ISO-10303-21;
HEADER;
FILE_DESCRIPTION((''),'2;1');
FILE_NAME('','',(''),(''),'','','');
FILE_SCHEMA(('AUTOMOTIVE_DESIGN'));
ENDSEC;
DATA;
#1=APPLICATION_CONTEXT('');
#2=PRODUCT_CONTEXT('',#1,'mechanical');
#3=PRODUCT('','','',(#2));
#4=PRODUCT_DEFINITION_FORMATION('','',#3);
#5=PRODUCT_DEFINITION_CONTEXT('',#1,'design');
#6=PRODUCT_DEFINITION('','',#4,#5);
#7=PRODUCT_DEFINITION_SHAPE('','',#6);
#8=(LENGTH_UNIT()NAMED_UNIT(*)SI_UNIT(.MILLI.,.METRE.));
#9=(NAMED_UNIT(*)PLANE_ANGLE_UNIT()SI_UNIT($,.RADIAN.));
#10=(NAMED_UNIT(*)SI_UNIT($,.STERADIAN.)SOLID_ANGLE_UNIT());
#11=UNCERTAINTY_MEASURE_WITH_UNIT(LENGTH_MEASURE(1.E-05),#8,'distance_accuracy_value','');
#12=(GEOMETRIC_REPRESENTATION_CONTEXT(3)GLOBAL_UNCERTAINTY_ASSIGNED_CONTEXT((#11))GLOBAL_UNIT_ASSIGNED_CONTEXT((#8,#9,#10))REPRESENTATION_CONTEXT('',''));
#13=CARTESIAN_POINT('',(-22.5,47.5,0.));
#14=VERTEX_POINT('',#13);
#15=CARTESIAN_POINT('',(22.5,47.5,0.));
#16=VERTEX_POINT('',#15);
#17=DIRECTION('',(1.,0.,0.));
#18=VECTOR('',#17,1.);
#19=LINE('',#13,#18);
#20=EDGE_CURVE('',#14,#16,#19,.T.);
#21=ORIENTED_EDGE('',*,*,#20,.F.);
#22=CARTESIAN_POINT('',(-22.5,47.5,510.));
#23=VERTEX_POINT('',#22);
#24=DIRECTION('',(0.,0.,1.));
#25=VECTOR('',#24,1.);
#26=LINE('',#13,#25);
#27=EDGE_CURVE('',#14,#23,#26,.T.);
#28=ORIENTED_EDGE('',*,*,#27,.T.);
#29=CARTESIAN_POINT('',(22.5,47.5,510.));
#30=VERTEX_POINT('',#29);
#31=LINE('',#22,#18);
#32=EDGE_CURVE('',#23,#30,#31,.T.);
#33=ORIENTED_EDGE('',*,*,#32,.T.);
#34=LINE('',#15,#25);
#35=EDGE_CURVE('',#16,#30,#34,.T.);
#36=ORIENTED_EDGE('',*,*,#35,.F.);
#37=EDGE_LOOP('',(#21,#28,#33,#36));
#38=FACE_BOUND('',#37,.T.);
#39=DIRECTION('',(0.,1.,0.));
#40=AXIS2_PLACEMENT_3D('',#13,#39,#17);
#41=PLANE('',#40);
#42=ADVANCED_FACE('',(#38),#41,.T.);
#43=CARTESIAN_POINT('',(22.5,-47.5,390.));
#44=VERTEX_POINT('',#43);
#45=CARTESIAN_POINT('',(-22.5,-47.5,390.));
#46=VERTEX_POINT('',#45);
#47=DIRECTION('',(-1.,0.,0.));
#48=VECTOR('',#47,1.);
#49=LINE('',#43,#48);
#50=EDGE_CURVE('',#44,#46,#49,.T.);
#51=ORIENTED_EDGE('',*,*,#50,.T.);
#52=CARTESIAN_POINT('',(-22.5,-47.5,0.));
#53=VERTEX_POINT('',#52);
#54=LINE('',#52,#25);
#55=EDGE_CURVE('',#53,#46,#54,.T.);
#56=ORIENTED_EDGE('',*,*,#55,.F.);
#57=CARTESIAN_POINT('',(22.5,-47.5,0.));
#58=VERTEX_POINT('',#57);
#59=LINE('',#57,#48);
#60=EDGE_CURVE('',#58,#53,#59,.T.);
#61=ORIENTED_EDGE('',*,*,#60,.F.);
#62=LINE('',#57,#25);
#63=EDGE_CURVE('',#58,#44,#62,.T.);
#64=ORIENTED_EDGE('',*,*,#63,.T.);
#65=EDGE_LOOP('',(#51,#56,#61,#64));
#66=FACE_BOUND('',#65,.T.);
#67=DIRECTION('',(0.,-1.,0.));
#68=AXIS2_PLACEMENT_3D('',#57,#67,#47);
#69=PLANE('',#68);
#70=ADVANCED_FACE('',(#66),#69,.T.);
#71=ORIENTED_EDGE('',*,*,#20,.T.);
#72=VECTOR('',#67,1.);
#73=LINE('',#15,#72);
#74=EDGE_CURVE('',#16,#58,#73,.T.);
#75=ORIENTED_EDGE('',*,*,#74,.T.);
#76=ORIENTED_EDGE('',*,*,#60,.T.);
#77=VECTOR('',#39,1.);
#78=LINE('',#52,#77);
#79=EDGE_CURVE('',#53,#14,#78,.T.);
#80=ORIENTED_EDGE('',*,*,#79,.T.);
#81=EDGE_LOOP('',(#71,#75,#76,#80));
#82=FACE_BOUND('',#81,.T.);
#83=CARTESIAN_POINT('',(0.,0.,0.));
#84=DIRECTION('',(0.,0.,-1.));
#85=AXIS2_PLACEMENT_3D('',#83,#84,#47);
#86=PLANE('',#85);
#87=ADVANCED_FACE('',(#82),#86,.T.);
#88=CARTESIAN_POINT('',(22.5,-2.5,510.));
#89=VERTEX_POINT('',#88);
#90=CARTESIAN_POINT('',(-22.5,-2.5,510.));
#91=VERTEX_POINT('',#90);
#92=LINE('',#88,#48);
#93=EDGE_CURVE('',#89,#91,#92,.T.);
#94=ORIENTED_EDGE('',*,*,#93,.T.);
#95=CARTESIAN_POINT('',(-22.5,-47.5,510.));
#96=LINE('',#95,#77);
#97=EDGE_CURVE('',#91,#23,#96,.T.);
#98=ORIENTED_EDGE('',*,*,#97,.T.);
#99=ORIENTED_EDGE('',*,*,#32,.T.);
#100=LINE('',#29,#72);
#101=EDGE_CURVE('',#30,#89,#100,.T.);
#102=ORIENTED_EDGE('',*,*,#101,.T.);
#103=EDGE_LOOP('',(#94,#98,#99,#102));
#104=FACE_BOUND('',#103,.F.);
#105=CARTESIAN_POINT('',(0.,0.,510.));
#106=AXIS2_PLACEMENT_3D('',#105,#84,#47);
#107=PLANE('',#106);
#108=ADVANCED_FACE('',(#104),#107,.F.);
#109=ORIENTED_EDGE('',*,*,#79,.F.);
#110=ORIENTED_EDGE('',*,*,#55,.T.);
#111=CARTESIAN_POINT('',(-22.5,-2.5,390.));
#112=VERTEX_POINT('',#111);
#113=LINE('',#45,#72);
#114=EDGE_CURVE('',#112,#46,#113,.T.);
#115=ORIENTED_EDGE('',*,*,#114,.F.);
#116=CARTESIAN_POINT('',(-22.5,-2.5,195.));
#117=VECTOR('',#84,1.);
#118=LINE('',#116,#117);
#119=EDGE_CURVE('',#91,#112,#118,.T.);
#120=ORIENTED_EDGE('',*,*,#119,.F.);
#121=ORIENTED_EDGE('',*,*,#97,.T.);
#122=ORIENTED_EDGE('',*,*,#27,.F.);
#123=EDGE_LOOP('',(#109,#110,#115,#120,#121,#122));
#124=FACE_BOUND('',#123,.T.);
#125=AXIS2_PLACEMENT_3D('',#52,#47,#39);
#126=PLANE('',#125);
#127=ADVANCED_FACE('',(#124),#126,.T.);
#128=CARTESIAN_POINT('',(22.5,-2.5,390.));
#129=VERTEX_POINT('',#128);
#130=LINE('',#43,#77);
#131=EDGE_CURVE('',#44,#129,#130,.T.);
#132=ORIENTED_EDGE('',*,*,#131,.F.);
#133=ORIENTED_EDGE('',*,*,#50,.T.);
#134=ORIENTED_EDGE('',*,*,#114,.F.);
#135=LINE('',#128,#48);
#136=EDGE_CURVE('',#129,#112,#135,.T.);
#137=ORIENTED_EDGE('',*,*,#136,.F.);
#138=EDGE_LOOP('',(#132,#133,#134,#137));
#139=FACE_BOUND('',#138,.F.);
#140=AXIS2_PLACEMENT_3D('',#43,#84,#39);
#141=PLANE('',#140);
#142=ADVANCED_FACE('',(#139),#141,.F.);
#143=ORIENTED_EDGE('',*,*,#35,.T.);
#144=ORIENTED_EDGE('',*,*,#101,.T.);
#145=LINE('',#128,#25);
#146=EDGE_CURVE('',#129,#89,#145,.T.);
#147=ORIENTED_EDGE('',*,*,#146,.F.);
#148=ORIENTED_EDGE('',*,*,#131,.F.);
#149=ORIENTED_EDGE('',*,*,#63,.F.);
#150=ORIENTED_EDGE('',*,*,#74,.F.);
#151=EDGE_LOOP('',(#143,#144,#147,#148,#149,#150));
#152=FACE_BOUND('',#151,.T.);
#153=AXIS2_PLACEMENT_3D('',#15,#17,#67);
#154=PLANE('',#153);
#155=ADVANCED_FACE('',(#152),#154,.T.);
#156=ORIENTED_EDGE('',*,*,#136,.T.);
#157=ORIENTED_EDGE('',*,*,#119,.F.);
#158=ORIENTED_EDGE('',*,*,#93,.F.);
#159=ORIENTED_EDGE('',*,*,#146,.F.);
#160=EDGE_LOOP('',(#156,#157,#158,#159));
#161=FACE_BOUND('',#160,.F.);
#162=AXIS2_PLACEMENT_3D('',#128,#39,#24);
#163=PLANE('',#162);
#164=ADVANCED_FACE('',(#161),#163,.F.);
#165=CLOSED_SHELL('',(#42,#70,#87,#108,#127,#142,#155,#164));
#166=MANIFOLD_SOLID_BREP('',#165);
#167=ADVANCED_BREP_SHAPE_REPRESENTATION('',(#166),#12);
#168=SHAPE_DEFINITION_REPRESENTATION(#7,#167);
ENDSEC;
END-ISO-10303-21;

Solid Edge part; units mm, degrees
sketch "Sketch1" plane through (0, 0, 0) normal (0, 0, -1) x (-1, 0, 0)
  line L0 (-22.5, -47.5) -> (22.5, -47.5)
  line L1 (22.5, -47.5) -> (22.5, 47.5)
  line L2 (22.5, 47.5) -> (-22.5, 47.5)
  line L3 (-22.5, 47.5) -> (-22.5, -47.5)
extrude "Protrusion1" add sketch "Sketch1" against normal blind 510
sketch "Sketch2" plane through (22.5, 0, 255) normal (1, 0, 0) x (0, 0, 1)
  line L0 (255, 47.5) -> (135, 47.5)
  line L1 (135, 47.5) -> (135, 2.5)
  line L2 (135, 2.5) -> (255, 2.5)
  line L3 (255, 2.5) -> (255, 47.5)
extrude "ExtrudedCutout_1" cut sketch "Sketch2" against normal blind 334.0477
properties material "Wood, Pine"
